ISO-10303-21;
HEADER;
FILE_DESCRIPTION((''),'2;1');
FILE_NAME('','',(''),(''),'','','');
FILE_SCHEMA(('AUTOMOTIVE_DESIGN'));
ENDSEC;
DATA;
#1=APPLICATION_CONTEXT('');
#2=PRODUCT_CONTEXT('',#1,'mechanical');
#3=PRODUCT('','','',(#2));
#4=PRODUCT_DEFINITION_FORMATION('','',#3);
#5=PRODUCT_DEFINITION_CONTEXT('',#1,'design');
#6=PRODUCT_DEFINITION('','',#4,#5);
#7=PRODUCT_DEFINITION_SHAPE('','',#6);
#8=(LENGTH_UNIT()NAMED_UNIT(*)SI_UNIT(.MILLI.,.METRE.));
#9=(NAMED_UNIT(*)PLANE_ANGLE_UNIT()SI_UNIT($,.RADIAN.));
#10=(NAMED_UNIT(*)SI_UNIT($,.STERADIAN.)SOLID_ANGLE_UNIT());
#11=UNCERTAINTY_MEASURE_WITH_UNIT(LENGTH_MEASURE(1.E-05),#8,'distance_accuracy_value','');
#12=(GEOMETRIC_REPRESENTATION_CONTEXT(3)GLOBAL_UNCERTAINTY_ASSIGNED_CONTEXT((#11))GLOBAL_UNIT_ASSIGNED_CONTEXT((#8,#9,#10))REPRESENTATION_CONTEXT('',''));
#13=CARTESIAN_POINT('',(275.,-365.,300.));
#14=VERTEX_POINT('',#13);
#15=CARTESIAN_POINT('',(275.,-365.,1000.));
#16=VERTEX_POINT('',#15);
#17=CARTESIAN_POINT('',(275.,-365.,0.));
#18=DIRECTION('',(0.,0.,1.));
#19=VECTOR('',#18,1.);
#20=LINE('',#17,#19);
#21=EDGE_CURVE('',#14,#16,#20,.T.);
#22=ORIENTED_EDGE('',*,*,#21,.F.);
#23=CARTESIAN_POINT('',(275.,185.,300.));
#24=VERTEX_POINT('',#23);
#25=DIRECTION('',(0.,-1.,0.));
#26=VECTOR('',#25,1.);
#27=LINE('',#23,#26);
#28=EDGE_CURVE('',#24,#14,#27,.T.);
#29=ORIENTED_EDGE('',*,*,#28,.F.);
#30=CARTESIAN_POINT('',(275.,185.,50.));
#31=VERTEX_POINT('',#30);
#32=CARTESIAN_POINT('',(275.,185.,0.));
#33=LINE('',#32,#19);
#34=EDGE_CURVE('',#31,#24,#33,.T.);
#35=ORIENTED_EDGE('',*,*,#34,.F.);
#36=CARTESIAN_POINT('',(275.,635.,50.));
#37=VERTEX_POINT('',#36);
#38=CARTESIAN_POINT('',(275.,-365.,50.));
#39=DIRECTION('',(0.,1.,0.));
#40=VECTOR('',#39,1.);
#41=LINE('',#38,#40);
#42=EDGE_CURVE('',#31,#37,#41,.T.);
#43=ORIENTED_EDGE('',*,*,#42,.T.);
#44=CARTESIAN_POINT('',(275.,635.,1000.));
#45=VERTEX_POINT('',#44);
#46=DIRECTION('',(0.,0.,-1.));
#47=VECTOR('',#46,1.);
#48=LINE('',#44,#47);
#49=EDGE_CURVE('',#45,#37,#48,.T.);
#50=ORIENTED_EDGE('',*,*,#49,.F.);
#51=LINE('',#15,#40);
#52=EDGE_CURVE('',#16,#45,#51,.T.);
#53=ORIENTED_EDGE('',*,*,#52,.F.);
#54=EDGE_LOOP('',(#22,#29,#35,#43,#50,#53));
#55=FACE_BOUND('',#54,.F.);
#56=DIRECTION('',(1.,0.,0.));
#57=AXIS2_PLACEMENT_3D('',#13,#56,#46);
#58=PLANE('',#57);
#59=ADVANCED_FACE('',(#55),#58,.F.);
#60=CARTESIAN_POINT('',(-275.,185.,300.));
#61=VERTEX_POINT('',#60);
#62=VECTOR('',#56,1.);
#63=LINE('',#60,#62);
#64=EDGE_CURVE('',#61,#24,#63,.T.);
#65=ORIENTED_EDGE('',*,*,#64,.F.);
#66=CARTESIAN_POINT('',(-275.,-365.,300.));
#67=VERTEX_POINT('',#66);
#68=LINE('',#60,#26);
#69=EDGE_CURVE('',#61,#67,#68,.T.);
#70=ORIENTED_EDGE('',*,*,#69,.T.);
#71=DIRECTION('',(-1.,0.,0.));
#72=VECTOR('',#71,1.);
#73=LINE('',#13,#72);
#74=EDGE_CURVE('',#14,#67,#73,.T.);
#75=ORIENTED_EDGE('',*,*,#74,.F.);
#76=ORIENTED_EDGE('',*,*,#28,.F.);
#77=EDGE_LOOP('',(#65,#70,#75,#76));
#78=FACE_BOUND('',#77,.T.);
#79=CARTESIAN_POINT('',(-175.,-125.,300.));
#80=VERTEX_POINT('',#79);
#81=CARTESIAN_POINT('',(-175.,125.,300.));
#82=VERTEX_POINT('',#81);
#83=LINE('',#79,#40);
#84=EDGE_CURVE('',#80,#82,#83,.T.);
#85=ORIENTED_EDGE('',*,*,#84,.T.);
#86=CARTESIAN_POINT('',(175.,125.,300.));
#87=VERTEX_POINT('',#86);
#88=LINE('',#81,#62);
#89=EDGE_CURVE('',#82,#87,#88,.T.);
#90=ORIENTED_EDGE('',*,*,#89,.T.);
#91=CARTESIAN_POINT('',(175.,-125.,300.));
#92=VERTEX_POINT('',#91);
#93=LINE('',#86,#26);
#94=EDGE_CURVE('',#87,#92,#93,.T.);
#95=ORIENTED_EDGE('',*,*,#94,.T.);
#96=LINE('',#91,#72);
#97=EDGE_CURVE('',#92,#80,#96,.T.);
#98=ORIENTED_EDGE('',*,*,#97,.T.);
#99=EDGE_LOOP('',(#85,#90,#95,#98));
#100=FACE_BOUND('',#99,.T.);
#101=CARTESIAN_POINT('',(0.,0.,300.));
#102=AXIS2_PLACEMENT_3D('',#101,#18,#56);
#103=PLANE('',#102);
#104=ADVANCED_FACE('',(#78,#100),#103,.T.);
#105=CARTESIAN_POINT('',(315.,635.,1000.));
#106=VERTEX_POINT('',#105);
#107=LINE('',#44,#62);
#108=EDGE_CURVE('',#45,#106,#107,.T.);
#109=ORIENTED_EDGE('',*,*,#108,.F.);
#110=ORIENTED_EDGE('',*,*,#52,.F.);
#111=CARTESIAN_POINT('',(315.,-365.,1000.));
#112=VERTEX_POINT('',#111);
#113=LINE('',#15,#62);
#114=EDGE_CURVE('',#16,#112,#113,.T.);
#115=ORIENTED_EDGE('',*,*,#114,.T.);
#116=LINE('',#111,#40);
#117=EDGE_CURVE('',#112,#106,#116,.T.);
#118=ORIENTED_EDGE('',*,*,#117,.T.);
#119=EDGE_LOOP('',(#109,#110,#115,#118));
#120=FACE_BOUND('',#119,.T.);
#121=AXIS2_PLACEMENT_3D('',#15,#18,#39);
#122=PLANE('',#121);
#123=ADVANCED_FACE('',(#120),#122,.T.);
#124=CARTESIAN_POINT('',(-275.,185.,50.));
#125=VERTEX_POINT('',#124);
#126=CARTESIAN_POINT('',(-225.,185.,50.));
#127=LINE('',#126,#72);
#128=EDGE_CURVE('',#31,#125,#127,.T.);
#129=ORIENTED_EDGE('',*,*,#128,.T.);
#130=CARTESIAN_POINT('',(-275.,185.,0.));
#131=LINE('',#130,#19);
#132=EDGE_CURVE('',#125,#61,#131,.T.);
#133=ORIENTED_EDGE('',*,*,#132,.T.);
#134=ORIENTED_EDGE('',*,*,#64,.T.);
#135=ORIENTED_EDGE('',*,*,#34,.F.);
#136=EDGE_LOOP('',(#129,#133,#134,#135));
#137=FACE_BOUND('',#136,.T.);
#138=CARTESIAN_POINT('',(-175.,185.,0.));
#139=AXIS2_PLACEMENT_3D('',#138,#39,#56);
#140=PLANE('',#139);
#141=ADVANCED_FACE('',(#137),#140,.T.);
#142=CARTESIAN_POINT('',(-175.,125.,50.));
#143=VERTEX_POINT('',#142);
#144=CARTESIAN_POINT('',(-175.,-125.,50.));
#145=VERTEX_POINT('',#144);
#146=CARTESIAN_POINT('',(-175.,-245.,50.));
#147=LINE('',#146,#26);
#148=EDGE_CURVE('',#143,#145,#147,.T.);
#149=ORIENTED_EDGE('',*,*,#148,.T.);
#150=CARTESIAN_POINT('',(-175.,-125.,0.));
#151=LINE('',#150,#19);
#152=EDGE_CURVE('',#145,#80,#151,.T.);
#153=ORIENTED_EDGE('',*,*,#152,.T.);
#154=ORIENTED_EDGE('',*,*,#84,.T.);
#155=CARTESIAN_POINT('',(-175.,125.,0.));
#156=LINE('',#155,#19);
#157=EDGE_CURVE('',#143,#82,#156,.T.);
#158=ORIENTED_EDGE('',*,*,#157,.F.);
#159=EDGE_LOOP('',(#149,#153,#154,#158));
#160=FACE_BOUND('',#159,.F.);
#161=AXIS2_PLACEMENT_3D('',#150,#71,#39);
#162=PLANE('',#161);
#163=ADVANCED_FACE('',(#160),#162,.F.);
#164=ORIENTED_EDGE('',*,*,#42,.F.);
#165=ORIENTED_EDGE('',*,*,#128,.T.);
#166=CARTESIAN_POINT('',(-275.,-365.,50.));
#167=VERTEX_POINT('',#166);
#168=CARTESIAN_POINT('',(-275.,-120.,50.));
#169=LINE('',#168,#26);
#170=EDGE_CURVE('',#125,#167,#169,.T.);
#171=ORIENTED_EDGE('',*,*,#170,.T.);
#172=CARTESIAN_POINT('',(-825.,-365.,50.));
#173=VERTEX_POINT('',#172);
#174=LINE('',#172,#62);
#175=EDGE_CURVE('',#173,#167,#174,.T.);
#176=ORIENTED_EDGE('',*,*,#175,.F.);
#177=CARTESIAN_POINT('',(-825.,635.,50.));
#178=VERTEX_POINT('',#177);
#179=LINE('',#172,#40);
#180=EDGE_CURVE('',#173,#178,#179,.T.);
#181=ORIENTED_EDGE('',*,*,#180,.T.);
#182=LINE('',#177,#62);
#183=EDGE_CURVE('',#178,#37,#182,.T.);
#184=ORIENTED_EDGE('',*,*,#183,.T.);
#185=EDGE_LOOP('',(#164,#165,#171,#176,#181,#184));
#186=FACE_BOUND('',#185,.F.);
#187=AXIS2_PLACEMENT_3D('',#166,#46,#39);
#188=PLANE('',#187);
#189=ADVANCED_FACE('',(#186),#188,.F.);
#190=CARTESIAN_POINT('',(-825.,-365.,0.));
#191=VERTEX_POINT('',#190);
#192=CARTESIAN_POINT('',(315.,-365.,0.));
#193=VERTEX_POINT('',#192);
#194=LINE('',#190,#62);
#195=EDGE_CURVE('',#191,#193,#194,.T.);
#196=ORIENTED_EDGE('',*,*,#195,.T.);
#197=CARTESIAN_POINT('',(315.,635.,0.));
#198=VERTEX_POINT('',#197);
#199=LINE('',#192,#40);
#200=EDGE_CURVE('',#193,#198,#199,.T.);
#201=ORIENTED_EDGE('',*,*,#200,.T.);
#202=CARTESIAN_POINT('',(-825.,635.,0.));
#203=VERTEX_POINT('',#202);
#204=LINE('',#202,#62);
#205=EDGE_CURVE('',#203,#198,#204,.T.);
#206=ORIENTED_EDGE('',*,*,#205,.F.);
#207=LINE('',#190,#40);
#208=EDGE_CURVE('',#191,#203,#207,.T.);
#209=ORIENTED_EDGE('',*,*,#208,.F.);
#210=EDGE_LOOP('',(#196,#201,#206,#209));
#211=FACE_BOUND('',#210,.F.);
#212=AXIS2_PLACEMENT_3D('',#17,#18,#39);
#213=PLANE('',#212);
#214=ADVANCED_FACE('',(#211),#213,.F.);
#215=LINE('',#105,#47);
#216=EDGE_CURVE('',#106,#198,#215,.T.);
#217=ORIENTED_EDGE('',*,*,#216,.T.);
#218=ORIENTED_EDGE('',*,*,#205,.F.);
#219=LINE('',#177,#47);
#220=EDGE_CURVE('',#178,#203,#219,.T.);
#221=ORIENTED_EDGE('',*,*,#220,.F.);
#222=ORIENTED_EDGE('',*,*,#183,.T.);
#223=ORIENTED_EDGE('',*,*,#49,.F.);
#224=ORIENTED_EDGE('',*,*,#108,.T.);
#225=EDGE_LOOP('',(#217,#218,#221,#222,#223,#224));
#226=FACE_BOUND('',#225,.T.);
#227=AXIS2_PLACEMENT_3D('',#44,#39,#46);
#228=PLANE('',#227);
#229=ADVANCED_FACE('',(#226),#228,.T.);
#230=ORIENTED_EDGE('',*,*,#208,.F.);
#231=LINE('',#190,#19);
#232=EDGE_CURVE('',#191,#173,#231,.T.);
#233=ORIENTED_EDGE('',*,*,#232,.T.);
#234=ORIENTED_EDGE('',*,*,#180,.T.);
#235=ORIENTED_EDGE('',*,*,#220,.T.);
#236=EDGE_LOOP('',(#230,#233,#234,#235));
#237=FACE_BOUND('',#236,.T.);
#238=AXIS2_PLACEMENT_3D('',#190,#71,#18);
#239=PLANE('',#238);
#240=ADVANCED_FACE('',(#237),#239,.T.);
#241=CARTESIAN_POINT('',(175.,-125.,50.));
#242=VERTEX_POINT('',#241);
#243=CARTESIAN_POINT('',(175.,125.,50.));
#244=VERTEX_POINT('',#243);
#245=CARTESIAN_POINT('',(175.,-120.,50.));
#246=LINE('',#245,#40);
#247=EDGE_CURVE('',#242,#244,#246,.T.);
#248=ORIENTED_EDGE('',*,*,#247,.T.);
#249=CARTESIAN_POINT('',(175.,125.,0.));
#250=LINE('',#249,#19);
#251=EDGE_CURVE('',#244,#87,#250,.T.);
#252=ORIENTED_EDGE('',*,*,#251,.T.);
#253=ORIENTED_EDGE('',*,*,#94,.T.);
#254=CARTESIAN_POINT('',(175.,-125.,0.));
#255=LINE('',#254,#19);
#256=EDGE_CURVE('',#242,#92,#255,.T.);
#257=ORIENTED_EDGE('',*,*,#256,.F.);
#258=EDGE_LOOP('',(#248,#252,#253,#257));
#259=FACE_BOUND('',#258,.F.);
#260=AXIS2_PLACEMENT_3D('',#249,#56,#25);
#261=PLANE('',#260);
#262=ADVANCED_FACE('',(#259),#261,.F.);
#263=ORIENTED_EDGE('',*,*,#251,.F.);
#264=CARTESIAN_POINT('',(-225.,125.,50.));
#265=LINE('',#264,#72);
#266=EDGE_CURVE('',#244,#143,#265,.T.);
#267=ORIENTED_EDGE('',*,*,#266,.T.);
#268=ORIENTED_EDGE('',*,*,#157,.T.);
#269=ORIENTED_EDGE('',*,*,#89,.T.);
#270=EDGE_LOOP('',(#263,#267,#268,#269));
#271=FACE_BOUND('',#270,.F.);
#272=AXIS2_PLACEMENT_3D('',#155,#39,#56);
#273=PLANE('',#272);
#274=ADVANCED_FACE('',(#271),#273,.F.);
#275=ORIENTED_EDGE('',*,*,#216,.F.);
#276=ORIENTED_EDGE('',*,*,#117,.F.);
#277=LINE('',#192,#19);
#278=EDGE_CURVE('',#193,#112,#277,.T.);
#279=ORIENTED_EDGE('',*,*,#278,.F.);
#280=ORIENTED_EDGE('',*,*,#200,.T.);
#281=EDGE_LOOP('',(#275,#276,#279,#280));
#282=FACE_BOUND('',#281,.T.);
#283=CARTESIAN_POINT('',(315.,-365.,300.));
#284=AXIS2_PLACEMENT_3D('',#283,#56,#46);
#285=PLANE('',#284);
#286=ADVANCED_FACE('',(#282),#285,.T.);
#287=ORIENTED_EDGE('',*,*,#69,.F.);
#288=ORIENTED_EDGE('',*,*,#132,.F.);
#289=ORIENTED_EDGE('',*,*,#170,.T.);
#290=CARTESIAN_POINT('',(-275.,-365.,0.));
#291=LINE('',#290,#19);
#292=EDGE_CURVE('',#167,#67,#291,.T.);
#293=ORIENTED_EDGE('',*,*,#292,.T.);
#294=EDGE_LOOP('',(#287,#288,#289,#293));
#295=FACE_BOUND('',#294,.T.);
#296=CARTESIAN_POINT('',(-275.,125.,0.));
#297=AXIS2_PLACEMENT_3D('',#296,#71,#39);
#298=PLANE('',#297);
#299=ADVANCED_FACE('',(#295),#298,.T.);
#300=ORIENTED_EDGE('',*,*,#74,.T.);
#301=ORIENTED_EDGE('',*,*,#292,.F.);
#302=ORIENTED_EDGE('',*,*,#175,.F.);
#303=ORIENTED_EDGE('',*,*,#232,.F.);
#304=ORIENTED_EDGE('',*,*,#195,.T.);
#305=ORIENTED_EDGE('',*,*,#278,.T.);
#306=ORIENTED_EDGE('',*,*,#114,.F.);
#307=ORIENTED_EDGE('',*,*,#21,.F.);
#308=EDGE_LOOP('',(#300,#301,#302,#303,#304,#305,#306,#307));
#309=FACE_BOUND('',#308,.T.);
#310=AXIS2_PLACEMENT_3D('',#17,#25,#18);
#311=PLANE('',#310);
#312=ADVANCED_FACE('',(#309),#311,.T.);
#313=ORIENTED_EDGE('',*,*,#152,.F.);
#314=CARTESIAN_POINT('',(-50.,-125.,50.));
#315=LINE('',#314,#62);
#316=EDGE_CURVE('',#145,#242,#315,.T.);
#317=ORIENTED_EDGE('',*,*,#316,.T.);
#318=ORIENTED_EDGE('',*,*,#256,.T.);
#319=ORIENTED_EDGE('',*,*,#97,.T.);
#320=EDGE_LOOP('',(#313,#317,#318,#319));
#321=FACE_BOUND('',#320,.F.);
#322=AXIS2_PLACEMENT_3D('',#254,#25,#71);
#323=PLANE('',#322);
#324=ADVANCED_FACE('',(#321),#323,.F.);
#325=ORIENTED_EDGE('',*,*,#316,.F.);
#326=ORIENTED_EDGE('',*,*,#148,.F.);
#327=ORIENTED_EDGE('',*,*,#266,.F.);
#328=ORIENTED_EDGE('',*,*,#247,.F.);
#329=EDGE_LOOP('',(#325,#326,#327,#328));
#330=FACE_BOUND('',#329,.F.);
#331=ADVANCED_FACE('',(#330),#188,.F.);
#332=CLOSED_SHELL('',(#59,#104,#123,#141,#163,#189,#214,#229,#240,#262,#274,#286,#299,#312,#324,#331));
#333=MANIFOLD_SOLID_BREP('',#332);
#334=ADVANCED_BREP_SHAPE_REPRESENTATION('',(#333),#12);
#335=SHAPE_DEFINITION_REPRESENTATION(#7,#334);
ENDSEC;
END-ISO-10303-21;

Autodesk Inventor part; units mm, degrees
ref_plane "YZ Plane" through (0, 0, 0) normal (1, 0, 0) x (0, 1, 0)
ref_plane "XZ Plane" through (0, 0, 0) normal (0, 1, 0) x (-1, 0, 0)
ref_plane "XY Plane" through (0, 0, 0) normal (0, 0, 1) x (1, 0, 0)
sketch "Boceto1" plane through (0, 0, 0) normal (0, 0, 1) x (1, 0, 0)
  line L0 (175, -125) -> (-175, -125)
  line L1 (-175, -125) -> (-175, 125)
  line L2 (-175, 125) -> (175, 125)
  line L3 (175, 125) -> (175, -125)
  line L4 (175, -125) -> (-175, 125) construction
  line L5 (-175, -125) -> (175, 125) construction
  line L6 (-175, 125) -> (-165, 125) construction
  line L7 (-175, 125) -> (-275, 125)
  line L8 (-275, 125) -> (-275, 185)
  line L9 (-275, 185) -> (-175, 185)
  line L10 (-175, 185) -> (-175, 125)
  line L11 (-275, 185) -> (275, 185)
  line L12 (275, 185) -> (275, -365)
  line L13 (275, -365) -> (-275, -365)
  line L14 (-275, -365) -> (-275, 185)
  point P0 (0, 0)
  dimension "d0" = 350
  dimension "d1" = 250
  dimension "d4" = 100
  dimension "d5" = 60
  dimension "d6" = 550
  dimension "d7" = 550
extrude "Extrusión1" add sketch "Boceto1" along normal blind 300
extrude "Extrusión2" add sketch "Boceto1" along normal blind 49 contours L0 L1 L2 L3
sketch "Boceto2" plane through (-275, -365, 0) normal (-1, 0, 0) x (0, 0, 1)
  line L0 (0, 550) -> (0, 0) projected
  line L1 (0, 0) -> (50, 0)
  line L2 (50, 0) -> (50, 1000)
  line L3 (50, 1000) -> (0, 1000)
  line L4 (0, 1000) -> (0, 0)
  point P0 (0, 365)
  dimension "d12" = 50
  dimension "d13" = 1000
extrude "Extrusión3" add sketch "Boceto2" along normal mid plane 1100
sketch "Boceto3" plane through (275, -365, 300) normal (1, 0, 0) x (0, 0, -1)
  line L0 (300, 0) -> (300, 1000) projected
  line L1 (300, 0) -> (-700, 0)
  line L2 (-700, 0) -> (-700, 1000)
  line L3 (-700, 1000) -> (300, 1000)
  line L4 (300, 1000) -> (300, 0)
  point P0 (300, 365)
  dimension "d16" = 1000
extrude "Extrusión4" add sketch "Boceto3" along normal blind 40
